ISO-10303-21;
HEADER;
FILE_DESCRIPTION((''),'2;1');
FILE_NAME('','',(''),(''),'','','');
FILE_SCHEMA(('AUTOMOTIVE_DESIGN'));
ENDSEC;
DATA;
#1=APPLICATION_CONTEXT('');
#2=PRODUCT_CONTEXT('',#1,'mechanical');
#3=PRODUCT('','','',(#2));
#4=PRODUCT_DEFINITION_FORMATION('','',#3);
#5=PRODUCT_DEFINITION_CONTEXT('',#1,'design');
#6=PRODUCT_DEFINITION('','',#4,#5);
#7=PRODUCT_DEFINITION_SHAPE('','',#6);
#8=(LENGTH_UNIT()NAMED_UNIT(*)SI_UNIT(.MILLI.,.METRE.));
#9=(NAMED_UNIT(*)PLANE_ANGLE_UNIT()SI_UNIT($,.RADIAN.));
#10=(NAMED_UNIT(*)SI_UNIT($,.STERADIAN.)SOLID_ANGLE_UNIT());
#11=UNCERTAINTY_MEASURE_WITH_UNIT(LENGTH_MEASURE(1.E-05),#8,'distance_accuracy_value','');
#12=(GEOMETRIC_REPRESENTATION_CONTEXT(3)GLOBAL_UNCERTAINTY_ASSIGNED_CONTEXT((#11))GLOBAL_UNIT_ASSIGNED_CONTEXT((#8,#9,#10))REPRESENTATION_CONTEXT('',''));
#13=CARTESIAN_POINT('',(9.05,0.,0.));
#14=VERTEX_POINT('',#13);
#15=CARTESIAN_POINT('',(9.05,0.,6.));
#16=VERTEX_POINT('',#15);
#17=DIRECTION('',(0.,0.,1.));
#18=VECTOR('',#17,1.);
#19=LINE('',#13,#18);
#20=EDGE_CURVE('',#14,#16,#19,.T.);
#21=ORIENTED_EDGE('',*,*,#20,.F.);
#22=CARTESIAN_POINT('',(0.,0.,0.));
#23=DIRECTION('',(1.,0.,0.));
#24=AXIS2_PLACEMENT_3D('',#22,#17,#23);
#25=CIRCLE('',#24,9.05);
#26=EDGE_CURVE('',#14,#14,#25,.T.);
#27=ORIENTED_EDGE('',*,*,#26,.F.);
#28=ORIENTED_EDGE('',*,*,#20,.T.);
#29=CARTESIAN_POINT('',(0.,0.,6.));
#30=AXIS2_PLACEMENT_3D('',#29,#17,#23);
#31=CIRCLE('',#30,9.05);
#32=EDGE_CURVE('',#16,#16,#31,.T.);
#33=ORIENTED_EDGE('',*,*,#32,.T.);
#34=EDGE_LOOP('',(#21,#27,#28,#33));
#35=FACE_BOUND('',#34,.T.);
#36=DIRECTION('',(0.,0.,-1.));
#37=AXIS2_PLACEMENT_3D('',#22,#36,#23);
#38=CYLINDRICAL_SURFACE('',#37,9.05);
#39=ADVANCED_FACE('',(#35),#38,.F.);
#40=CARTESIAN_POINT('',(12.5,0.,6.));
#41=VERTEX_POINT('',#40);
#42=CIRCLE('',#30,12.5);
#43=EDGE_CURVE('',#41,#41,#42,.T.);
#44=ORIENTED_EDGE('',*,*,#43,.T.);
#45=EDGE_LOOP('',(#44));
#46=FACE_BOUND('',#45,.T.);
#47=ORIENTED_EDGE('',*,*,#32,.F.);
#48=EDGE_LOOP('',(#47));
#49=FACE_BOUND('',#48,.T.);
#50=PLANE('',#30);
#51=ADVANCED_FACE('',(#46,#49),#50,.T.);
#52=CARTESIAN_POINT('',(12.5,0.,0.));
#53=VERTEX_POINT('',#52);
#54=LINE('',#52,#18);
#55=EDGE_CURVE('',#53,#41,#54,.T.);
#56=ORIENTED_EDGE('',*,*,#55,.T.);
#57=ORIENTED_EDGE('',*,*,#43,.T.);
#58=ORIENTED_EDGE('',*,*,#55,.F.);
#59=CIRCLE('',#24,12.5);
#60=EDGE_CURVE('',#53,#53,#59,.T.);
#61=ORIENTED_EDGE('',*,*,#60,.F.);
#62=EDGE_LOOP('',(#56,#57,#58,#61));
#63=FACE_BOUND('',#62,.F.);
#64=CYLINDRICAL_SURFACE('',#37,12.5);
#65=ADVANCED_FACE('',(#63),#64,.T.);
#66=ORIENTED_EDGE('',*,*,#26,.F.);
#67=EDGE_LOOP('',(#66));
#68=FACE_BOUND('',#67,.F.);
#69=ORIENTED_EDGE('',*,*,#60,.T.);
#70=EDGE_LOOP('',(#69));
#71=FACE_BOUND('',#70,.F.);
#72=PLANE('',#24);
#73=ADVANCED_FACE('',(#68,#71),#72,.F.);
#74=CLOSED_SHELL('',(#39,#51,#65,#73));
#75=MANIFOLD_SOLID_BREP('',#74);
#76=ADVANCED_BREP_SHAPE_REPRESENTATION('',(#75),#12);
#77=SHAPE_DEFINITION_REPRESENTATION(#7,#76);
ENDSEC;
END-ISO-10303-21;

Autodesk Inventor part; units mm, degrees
ref_plane "YZ Plane" through (0, 0, 0) normal (1, 0, 0) x (0, 1, 0)
ref_plane "XZ Plane" through (0, 0, 0) normal (0, 1, 0) x (-1, 0, 0)
ref_plane "XY Plane" through (0, 0, 0) normal (0, 0, 1) x (1, 0, 0)
sketch "Sketch1" plane through (0, 0, 0) normal (0, 0, 1) x (1, 0, 0)
  circle A0 centre (0, 0) radius 9.05
  circle A1 centre (0, 0) radius 12.5
  dimension "d0" = 18.1
  dimension "d1" = 25
extrude "Extrusion1" add sketch "Sketch1" along normal blind 6
properties part number "CAD_C_outer_prop"
